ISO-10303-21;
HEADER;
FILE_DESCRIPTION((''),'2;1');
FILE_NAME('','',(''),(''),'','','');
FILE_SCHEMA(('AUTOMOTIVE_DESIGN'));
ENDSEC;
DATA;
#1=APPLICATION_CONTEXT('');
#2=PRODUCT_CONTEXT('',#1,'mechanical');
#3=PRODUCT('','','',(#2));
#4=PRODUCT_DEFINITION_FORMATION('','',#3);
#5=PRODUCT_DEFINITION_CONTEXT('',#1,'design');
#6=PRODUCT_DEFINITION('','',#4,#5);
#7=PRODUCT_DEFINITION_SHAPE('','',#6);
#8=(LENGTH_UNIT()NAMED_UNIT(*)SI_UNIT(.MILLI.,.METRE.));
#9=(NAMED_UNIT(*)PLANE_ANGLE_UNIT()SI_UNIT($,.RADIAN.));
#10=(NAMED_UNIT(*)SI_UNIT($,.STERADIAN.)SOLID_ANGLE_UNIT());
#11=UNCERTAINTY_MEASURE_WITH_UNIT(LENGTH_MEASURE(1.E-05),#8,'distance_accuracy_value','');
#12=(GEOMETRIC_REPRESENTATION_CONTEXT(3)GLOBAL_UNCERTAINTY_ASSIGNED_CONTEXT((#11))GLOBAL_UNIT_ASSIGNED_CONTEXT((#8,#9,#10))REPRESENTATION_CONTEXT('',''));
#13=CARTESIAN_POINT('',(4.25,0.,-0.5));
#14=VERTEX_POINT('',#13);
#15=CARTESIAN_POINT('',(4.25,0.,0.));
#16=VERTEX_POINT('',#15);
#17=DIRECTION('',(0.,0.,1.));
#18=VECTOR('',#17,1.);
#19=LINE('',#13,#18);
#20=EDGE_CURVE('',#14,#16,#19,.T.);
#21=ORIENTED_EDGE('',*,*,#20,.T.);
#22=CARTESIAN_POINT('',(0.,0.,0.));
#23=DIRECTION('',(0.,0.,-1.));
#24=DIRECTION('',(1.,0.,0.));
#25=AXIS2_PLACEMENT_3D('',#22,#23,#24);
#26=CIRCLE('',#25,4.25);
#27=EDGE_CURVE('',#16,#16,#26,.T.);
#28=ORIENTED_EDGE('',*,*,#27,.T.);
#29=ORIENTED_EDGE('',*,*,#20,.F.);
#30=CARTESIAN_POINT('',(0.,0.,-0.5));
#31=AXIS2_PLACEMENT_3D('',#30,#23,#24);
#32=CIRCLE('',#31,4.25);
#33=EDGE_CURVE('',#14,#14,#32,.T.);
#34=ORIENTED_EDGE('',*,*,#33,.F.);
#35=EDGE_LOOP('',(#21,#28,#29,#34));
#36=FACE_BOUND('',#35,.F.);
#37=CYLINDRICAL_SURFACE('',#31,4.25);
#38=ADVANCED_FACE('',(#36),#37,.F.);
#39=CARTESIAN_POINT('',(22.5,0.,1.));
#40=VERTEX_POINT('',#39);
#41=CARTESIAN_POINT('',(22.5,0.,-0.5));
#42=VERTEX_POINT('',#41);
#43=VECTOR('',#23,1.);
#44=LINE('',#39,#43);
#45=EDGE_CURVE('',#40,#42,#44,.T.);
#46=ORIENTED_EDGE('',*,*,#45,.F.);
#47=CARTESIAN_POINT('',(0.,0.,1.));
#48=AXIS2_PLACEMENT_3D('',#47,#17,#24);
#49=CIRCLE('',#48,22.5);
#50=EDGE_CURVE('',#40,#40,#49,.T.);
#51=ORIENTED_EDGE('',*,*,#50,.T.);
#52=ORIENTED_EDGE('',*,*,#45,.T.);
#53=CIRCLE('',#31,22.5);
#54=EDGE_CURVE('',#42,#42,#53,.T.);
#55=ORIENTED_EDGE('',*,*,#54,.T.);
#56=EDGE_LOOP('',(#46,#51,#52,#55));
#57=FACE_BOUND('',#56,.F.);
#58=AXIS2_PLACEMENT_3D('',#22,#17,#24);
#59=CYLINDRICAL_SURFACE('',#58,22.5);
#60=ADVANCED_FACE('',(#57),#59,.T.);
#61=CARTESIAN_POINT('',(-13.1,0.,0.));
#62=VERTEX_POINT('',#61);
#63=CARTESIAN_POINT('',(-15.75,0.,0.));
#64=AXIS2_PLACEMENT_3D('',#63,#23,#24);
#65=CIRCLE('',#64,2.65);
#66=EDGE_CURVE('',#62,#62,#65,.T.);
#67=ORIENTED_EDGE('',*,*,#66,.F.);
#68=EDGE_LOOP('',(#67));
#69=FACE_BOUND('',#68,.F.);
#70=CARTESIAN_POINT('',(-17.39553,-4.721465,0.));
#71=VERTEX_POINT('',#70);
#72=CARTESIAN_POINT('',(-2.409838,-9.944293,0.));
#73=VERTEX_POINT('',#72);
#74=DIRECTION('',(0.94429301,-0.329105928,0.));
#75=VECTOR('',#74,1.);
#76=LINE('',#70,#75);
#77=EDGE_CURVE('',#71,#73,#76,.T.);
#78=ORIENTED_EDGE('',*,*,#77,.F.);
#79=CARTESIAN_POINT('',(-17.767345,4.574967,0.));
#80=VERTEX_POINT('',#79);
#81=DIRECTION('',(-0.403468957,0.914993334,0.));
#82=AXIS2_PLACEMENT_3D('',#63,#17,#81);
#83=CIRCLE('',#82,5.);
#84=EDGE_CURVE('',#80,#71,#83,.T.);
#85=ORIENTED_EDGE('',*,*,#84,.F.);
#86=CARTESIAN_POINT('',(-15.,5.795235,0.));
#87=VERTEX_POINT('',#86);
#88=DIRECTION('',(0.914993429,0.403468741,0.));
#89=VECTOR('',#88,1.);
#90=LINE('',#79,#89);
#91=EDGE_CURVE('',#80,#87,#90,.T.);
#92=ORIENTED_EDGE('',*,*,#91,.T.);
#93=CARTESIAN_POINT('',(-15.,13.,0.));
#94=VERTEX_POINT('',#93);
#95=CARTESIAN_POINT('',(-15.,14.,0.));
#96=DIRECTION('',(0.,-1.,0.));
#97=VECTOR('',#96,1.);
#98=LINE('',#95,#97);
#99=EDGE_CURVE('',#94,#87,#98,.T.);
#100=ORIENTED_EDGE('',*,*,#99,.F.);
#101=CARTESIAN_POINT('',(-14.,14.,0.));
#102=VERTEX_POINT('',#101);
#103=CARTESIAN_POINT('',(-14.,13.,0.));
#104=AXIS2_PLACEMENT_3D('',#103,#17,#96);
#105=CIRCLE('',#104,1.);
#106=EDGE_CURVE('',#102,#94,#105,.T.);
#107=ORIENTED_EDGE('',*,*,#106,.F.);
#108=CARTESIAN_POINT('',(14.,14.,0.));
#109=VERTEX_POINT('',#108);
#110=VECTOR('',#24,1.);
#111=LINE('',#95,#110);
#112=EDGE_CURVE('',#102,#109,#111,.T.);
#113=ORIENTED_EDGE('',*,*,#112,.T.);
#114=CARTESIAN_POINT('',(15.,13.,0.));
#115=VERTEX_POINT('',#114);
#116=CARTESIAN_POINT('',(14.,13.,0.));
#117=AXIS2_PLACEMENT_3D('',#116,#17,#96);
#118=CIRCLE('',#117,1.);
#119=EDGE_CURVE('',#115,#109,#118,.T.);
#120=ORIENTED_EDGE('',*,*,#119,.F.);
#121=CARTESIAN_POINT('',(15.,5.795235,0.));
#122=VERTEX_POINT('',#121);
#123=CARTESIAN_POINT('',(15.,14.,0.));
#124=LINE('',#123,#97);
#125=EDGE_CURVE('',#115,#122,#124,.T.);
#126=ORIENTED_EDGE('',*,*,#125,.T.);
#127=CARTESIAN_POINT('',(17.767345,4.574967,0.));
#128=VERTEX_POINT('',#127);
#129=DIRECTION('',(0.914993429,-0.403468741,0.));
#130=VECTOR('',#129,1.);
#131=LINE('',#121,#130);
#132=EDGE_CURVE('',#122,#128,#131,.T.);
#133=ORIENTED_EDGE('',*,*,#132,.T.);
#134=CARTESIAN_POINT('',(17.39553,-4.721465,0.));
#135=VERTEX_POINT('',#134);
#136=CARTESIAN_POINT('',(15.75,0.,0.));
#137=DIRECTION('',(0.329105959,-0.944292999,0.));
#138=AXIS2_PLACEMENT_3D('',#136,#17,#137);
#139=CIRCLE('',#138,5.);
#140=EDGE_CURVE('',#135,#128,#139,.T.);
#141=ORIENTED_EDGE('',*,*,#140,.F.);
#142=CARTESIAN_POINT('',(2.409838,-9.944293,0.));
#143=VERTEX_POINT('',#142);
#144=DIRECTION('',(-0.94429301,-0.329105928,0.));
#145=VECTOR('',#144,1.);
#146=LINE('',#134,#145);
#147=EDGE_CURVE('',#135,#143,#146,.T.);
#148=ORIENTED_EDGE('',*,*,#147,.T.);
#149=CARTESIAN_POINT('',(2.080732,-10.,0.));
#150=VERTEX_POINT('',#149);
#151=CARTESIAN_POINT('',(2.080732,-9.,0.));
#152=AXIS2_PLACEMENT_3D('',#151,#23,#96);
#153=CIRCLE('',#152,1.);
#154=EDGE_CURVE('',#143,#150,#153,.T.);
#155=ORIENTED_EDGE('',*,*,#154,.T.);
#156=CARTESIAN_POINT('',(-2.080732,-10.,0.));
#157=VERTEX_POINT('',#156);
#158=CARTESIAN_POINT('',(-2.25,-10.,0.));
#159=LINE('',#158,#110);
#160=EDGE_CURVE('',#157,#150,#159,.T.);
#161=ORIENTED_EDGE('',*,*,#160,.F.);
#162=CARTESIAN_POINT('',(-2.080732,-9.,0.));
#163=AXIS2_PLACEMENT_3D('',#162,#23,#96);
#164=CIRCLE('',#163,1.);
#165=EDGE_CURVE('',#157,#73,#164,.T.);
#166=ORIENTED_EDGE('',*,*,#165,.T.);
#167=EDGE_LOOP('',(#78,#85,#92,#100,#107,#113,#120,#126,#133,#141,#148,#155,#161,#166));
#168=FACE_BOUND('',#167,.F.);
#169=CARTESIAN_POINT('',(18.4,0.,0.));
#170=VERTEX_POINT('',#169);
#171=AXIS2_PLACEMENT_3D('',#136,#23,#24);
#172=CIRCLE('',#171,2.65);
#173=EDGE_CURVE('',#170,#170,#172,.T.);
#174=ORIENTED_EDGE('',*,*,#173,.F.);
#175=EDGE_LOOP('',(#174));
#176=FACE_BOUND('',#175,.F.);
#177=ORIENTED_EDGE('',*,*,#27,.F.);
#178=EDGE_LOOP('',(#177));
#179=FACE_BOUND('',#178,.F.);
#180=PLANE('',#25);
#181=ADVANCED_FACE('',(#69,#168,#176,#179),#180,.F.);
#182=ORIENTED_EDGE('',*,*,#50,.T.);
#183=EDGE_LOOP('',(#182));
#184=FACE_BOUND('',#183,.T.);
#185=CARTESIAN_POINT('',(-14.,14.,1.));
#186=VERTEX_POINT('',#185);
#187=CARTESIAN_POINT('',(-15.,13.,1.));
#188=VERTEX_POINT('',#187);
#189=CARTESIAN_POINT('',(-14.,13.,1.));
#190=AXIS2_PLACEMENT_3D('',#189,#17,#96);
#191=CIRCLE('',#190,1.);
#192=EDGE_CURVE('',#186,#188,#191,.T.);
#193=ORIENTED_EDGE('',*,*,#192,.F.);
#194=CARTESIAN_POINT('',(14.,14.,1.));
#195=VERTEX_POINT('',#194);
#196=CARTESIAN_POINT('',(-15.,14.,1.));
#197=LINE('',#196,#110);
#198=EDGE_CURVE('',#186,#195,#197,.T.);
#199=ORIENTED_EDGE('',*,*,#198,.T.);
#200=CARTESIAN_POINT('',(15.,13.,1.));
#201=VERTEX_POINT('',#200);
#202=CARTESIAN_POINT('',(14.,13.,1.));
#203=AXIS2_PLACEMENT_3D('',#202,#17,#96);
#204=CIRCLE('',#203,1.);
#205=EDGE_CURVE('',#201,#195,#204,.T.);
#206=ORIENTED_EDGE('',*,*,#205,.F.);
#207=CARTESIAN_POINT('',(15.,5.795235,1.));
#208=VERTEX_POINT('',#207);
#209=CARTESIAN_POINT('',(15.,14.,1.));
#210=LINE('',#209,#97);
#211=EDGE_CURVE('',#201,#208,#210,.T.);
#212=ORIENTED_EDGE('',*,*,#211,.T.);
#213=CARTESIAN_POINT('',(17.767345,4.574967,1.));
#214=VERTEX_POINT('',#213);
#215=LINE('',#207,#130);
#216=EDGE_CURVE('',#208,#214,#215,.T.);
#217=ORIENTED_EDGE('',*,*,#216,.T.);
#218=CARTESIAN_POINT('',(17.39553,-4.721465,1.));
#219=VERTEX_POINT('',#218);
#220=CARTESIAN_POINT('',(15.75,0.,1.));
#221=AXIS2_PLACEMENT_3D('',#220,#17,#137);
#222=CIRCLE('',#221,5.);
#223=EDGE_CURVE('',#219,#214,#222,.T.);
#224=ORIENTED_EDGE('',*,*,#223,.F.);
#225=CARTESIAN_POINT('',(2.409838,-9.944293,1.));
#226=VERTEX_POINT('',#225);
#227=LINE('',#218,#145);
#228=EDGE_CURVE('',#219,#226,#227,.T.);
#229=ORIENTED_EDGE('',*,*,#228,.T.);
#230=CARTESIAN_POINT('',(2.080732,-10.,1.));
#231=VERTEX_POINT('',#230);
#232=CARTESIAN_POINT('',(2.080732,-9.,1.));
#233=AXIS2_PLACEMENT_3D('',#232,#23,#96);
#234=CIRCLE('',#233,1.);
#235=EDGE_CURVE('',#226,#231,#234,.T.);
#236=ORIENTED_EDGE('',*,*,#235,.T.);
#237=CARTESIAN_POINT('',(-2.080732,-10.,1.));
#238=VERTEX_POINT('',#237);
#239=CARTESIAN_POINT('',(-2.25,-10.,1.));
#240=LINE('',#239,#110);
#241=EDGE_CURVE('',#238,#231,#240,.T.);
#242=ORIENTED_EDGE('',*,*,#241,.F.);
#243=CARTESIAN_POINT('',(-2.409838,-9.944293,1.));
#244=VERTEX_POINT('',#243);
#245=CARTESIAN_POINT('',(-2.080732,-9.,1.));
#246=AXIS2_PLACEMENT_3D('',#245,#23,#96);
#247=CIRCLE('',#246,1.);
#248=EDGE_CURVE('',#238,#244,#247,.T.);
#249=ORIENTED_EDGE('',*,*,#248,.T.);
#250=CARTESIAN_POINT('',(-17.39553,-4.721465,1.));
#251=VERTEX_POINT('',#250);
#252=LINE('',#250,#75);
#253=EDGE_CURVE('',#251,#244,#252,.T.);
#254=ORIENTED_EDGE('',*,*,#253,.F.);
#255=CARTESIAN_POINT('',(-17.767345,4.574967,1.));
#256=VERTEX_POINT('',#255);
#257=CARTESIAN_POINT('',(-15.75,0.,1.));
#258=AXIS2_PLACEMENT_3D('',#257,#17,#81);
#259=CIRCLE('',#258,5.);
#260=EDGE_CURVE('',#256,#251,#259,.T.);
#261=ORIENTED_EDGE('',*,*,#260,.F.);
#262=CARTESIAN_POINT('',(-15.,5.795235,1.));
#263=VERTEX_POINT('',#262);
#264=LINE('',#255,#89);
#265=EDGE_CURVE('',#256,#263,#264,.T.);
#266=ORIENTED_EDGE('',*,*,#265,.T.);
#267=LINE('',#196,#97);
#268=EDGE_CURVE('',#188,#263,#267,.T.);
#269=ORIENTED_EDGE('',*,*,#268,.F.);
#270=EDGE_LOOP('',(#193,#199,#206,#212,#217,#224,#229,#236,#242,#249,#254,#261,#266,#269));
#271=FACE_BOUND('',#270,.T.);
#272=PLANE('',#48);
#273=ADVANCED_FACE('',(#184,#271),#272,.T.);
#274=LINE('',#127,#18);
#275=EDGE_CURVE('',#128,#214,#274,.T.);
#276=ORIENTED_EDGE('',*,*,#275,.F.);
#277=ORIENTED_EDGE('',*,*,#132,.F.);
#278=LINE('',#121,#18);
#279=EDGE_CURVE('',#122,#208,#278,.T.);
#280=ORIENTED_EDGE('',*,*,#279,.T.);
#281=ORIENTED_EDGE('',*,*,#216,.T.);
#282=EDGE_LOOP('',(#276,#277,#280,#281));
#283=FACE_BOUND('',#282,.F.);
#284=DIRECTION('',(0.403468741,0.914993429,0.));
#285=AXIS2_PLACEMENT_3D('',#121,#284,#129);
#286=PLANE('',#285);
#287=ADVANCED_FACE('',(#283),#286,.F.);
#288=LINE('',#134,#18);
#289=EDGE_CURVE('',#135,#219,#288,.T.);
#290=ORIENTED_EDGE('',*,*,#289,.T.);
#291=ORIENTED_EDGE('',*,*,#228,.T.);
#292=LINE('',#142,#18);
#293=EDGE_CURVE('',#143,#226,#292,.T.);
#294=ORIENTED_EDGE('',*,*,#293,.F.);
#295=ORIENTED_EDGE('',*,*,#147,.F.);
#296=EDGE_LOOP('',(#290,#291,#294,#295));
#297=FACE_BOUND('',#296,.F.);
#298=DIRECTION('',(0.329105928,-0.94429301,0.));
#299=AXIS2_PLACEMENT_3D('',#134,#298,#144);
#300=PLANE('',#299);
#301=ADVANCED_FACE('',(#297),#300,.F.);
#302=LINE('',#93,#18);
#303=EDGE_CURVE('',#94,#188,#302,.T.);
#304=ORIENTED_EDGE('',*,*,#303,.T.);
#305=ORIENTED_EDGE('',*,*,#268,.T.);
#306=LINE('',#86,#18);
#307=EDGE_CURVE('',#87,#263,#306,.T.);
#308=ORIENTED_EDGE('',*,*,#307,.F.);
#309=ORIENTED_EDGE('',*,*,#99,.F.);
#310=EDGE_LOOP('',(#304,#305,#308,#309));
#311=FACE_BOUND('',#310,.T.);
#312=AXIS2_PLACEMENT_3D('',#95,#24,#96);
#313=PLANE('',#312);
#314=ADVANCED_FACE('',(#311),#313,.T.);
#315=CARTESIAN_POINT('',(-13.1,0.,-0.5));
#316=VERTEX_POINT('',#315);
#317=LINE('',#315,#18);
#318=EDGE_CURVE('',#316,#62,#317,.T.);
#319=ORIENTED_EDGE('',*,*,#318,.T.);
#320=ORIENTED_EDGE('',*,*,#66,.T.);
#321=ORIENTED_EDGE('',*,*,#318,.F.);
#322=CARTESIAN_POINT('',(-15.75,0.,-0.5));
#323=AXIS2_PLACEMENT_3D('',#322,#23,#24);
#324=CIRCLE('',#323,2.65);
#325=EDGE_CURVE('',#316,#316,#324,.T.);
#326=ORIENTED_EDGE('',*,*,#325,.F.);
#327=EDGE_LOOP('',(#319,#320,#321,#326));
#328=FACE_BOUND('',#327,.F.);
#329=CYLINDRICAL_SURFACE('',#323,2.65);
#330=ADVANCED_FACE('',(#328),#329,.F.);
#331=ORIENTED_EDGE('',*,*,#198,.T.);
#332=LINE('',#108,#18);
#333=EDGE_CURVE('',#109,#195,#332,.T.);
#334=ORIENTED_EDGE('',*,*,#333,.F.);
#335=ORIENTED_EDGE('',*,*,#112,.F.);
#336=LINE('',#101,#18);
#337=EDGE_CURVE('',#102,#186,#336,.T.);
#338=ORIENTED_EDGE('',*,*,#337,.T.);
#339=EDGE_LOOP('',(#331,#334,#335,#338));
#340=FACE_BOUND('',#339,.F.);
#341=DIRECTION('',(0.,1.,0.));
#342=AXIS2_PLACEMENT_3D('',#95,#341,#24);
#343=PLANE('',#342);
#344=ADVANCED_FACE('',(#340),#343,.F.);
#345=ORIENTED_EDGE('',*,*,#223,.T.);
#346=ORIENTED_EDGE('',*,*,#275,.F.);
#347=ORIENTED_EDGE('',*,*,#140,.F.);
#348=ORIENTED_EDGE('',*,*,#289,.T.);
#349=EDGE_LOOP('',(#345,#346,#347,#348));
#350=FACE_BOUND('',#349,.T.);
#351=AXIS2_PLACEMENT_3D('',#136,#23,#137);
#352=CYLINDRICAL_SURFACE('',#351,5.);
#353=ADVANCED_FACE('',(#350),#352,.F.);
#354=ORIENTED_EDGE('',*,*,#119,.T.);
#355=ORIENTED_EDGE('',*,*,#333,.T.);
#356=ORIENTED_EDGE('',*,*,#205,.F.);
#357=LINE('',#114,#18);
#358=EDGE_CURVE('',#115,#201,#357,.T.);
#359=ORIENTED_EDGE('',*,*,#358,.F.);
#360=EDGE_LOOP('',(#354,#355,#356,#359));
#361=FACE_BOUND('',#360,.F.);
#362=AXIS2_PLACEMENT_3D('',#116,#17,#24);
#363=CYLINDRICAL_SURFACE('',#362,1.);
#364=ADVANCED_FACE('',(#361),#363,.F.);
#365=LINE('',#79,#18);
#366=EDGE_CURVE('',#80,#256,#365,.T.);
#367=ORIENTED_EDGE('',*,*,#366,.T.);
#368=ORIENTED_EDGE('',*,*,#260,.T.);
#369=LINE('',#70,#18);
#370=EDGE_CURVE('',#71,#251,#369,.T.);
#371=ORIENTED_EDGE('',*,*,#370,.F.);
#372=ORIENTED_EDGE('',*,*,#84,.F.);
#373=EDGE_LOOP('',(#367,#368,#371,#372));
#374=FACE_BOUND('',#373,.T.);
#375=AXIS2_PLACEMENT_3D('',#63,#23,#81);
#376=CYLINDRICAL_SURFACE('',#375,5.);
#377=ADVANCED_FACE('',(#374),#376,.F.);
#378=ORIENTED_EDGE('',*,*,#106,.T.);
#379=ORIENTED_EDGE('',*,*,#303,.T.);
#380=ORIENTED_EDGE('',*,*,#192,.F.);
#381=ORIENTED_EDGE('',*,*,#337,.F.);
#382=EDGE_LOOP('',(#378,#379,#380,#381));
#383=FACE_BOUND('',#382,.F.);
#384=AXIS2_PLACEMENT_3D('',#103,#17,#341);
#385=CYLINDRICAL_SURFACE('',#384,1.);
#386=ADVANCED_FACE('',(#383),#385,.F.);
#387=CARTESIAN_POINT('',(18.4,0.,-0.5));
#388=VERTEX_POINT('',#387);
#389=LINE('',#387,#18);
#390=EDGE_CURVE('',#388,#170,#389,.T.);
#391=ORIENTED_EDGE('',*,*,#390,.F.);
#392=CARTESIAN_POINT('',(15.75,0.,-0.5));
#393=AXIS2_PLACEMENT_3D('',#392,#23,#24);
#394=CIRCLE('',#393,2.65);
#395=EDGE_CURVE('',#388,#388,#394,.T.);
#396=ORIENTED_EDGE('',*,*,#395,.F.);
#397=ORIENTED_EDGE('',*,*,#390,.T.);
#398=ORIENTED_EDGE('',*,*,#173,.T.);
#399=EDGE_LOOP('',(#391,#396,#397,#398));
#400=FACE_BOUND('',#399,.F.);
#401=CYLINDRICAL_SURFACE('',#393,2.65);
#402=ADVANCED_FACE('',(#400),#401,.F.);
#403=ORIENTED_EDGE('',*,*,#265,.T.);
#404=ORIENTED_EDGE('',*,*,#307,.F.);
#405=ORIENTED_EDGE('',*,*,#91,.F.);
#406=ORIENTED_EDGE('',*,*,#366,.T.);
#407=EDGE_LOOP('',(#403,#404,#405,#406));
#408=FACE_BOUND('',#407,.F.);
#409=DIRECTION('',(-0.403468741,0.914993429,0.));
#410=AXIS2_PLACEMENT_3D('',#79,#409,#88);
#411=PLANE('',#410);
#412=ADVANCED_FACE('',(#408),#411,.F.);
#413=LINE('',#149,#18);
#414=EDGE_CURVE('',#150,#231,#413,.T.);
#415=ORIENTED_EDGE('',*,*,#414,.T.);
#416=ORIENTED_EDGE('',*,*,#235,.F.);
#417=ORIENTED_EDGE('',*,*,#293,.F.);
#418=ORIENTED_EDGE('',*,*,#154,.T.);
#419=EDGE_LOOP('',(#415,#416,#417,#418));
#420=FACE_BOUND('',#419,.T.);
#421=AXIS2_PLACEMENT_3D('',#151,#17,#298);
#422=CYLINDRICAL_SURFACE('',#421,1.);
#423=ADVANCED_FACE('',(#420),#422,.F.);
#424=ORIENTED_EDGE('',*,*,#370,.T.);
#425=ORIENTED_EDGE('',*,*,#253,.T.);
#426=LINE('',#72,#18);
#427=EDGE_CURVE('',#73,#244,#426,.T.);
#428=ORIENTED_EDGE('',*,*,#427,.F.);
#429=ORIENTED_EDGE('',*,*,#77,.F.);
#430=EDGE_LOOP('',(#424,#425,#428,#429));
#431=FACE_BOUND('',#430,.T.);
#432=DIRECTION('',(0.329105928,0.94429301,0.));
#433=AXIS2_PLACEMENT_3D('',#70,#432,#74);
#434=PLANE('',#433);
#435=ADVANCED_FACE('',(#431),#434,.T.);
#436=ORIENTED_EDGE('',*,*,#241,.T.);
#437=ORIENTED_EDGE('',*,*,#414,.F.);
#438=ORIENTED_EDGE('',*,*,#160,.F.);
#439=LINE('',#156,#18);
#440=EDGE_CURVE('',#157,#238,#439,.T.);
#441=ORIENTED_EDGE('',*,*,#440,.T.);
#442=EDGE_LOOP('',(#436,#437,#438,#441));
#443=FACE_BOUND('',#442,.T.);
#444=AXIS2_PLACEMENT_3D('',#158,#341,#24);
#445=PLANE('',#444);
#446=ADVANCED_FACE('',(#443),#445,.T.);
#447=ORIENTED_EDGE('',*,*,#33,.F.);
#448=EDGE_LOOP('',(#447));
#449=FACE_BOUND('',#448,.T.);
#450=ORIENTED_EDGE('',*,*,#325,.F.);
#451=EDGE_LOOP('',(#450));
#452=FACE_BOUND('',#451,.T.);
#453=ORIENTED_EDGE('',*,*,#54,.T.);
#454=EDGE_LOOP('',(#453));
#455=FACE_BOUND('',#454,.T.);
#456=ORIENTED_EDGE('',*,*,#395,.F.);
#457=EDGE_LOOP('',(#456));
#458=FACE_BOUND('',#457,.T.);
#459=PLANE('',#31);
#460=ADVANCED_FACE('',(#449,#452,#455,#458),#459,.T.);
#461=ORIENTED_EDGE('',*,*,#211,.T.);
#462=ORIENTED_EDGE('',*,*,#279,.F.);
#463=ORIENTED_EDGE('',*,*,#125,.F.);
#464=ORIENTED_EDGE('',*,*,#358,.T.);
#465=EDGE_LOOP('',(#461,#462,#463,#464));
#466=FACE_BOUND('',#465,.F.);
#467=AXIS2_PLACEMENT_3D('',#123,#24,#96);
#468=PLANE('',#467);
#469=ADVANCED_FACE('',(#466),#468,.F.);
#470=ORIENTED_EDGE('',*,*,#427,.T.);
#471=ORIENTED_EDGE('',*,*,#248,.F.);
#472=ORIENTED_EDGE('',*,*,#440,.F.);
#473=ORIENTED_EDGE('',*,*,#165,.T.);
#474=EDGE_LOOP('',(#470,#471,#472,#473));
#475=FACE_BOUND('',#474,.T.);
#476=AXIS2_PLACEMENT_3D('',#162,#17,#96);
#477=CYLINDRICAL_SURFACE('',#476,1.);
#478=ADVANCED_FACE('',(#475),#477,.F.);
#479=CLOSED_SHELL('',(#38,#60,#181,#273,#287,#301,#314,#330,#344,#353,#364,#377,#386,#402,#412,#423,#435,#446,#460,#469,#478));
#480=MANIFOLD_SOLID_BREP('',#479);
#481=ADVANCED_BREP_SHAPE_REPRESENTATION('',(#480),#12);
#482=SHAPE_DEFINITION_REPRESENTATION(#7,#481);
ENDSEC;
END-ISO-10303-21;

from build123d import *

# Parameters (mm, degrees)
SKETCH_R      = 22.5
PAD_DEPTH     = 1
SKETCH001_R   = 22.5
PAD001_DEPTH  = 0.5
SKETCH002_R   = 4.25
SKETCH002_R_2 = 2.65
POCKET_DEPTH  = 1.501
FILLET_R      = 1
FILLET001_R   = 1


with BuildPart() as part:
    # Sketch → Pad (new body)
    with BuildSketch(Plane.XY):
        Circle(SKETCH_R)
        with BuildLine():
            ThreePointArc((17.39553, -4.721465), (20.746006, -0.199818), (17.767345, 4.574967))
            Line((15, 5.795235), (17.767345, 4.574967))
            Line((15, 14), (15, 5.795235))
            Line((-15, 14), (15, 14))
            Line((-15, 14), (-15, 5.795235))
            Line((-17.767345, 4.574967), (-15, 5.795235))
            ThreePointArc((-17.767345, 4.574967), (-20.746006, -0.199818), (-17.39553, -4.721465))
            Line((-17.39553, -4.721465), (-2.25, -10))
            Line((-2.25, -10), (2.25, -10))
            Line((17.39553, -4.721465), (2.25, -10))
        make_face(mode=Mode.SUBTRACT)
    extrude(amount=PAD_DEPTH)

    # Sketch001 (on Face12 of Pad) → Pad001 (join)
    with BuildSketch(Plane(origin=(0, 0, 0), x_dir=(1, 0, 0), z_dir=(0, 0, -1))):
        Circle(SKETCH001_R)
    extrude(amount=PAD001_DEPTH)

    # Sketch002 (on Face4 of Pad001) → Pocket (cut, through all)
    with BuildSketch(Plane(origin=(0, 0, -0.5), x_dir=(1, 0, 0), z_dir=(0, 0, -1))):
        Circle(SKETCH002_R)
        with Locations((-15.75, 0)):
            Circle(SKETCH002_R_2)
        with Locations((15.75, 0)):
            Circle(SKETCH002_R_2)
    extrude(amount=-POCKET_DEPTH, mode=Mode.SUBTRACT)

    # Fillet
    fillet_edges = [part.edges().sort_by_distance(p)[0] for p in [
        (15, 14, 0.5),
        (-15, 14, 0.5),
    ]]
    fillet(fillet_edges, radius=FILLET_R)

    # Fillet001
    fillet001_edges = [part.edges().sort_by_distance(p)[0] for p in [
        (-2.25, -10, 0.5),
        (2.25, -10, 0.5),
    ]]
    fillet(fillet001_edges, radius=FILLET001_R)


solid = part.part
